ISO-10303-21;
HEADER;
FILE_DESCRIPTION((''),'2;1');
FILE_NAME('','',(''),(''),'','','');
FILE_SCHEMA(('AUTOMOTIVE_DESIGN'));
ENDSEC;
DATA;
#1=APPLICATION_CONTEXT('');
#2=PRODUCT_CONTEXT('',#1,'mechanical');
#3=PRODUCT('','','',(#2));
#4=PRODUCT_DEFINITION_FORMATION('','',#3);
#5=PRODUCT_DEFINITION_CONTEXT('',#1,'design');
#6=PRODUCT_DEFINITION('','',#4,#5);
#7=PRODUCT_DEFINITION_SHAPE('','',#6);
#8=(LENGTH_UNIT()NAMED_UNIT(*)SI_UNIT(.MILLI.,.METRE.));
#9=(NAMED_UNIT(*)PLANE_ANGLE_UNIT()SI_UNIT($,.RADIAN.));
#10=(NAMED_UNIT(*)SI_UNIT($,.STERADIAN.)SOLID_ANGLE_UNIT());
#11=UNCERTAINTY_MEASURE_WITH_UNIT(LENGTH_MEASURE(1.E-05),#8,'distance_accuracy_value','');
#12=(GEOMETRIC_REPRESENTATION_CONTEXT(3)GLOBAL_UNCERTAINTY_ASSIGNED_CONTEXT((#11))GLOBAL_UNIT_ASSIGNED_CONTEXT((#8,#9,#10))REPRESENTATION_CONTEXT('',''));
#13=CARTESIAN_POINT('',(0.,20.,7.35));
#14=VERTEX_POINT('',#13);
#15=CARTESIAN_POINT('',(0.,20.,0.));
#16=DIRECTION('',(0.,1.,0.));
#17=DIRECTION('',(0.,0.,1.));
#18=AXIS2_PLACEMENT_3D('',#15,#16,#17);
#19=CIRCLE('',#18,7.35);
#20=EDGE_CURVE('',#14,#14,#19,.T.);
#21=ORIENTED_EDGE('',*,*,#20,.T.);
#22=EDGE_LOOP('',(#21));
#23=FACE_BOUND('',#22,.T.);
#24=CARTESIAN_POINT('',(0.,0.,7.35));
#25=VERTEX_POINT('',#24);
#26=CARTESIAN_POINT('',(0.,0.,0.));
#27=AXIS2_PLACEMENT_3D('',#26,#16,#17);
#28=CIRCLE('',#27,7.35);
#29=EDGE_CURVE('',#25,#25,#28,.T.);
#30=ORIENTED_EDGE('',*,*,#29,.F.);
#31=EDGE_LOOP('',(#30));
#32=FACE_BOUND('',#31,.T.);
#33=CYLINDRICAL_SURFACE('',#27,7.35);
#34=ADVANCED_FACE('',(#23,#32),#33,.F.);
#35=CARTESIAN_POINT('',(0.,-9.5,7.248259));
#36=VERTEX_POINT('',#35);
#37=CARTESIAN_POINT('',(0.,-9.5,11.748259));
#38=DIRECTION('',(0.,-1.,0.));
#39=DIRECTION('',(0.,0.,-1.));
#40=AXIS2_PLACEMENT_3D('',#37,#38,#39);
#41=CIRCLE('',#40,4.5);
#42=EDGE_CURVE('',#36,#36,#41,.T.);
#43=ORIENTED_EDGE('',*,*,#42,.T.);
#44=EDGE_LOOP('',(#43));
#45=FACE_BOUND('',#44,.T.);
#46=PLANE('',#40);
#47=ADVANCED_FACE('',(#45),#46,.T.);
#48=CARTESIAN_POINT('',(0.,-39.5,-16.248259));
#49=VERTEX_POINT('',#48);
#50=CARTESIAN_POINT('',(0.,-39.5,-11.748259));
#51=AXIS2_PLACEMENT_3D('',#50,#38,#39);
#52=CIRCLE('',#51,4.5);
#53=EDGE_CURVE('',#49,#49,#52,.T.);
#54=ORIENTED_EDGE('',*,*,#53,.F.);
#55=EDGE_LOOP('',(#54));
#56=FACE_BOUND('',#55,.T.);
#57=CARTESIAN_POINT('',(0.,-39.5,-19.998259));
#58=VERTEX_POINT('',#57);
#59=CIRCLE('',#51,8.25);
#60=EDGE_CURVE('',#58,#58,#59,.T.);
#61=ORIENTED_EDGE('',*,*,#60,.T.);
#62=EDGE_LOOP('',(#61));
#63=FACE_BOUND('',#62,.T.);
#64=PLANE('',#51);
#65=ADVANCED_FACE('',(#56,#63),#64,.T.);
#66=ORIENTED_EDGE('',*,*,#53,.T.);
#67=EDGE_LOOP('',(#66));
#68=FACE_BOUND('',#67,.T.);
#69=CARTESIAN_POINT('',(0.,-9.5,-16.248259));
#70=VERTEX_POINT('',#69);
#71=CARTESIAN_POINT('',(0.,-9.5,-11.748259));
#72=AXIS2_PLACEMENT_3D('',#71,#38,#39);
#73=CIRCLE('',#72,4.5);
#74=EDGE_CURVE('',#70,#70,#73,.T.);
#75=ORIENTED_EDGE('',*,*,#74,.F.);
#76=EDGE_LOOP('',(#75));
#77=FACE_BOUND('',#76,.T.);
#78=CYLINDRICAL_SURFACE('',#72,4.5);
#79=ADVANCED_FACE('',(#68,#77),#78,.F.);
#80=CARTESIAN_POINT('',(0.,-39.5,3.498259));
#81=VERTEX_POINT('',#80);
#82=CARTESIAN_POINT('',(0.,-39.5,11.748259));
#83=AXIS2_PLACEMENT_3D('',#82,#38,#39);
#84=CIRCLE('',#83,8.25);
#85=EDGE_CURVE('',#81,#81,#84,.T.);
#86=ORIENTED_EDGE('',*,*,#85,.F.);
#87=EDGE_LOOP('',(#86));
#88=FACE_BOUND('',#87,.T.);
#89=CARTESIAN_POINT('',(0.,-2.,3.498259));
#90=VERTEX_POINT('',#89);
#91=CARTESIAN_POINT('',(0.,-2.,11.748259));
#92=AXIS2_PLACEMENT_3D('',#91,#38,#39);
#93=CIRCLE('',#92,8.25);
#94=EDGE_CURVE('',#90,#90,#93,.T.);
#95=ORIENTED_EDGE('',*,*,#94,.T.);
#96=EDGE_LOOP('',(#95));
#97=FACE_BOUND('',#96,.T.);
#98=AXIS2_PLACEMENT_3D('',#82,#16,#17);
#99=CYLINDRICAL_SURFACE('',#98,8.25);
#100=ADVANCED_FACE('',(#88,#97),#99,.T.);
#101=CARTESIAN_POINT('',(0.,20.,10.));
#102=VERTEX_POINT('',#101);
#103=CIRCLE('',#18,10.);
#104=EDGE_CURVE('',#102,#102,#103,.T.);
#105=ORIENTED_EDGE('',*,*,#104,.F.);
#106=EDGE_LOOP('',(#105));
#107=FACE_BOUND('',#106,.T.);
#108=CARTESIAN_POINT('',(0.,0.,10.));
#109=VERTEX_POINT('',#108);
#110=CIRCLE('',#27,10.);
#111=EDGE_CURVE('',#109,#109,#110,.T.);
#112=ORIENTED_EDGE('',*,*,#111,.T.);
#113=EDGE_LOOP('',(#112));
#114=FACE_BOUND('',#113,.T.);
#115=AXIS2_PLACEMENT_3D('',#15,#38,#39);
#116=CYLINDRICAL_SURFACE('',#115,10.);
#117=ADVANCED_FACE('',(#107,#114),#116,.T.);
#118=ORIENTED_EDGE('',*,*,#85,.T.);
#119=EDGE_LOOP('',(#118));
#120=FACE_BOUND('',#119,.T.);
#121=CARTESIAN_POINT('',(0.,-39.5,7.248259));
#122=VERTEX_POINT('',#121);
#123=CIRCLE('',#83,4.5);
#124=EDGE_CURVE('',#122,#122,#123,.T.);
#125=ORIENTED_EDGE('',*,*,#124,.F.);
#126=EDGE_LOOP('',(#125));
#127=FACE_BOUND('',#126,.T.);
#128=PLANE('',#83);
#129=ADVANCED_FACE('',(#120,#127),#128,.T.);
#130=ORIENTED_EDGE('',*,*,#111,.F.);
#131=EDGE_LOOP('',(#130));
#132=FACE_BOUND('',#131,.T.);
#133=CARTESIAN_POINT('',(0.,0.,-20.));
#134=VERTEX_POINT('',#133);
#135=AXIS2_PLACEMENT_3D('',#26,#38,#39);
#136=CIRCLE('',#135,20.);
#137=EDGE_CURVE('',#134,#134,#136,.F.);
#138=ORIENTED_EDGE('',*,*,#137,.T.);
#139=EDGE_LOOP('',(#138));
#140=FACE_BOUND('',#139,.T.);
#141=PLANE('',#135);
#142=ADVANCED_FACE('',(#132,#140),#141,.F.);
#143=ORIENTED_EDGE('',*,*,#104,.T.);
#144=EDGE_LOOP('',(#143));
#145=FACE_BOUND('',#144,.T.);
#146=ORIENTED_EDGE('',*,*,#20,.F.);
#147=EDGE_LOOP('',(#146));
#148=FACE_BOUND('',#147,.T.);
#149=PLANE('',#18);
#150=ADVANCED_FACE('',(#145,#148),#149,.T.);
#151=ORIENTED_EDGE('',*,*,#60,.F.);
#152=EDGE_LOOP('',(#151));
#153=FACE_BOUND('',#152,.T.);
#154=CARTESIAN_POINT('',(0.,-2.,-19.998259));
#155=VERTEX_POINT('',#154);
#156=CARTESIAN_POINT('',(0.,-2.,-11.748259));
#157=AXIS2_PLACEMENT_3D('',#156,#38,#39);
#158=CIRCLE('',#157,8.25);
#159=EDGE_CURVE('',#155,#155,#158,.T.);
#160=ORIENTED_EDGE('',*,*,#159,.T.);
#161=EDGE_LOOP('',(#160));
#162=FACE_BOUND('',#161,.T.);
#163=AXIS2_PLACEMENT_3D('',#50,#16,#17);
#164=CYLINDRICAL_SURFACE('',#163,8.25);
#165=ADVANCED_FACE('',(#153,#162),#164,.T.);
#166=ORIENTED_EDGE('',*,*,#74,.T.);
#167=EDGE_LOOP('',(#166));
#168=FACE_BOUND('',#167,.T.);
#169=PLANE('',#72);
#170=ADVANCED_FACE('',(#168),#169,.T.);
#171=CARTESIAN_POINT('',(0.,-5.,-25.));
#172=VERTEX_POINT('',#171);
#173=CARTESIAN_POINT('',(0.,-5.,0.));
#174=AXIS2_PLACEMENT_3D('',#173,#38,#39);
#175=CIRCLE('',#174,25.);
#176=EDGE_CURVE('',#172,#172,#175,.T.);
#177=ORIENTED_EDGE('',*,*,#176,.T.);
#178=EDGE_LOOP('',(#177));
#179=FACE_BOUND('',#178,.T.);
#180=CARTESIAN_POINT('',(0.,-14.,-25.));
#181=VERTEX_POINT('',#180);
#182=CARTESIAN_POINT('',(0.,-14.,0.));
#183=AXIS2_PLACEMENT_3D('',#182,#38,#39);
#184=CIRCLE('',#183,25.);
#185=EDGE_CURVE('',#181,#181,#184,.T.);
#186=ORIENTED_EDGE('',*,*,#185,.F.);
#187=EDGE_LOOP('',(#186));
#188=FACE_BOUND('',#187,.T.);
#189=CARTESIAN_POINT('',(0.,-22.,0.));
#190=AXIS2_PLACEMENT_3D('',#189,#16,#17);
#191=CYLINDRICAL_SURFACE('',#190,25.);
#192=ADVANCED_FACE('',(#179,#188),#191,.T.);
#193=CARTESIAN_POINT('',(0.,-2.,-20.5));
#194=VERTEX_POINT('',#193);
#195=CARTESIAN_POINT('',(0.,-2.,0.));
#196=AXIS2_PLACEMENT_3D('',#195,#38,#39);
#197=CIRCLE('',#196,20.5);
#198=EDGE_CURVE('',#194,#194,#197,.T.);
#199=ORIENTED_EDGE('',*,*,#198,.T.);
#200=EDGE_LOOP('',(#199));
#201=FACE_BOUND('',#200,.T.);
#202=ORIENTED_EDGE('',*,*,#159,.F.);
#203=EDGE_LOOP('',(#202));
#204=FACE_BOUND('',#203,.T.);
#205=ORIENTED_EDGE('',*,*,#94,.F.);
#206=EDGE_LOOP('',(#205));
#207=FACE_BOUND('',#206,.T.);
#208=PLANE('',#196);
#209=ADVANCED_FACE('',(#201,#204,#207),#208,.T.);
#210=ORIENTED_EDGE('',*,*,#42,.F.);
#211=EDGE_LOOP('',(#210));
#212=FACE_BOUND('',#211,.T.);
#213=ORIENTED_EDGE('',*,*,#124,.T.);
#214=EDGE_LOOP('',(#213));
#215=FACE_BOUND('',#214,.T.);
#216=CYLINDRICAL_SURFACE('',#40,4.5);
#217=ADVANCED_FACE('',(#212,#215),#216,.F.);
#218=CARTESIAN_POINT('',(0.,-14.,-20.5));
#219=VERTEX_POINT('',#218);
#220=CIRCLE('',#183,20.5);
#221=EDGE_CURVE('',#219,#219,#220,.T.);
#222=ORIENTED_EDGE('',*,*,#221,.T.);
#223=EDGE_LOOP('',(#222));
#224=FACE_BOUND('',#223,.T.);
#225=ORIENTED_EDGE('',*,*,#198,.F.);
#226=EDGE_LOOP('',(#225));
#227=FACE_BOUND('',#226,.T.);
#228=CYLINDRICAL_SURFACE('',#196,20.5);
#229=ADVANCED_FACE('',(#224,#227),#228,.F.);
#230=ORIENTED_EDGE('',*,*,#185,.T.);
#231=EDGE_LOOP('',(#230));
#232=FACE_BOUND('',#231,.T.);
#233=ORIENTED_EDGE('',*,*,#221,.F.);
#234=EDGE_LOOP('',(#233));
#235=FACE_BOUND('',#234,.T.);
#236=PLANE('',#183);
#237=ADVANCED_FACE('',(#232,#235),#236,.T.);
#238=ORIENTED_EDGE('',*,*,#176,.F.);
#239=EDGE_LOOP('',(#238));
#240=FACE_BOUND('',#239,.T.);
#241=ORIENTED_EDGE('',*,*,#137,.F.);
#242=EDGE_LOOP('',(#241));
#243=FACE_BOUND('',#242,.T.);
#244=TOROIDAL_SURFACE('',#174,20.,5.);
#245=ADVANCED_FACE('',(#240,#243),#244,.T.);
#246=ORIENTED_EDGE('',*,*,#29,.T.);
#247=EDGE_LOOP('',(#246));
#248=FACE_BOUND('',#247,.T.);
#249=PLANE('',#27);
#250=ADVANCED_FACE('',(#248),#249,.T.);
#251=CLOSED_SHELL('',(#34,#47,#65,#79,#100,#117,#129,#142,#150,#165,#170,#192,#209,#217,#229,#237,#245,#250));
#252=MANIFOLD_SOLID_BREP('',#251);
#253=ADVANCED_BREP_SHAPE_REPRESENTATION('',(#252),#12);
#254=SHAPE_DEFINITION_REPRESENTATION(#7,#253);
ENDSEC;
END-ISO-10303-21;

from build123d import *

# Parameters (mm, degrees)
SKETCH1_R           = 10
BOSS_EXTRUDE1_DEPTH = 20
SKETCH2_R           = 25
BOSS_EXTRUDE2_DEPTH = 22
SKETCH3_R           = 20.5
CUT_EXTRUDE1_DEPTH  = 20
FILLET1_R           = 5
SKETCH4_R           = 7.35
CUT_EXTRUDE2_DEPTH  = 20
SKETCH5_R           = 8.25
BOSS_EXTRUDE3_DEPTH = 37.5
SKETCH6_R           = 4.5
CUT_EXTRUDE3_DEPTH  = 30
SKETCH7_R           = 25
SKETCH7_R_2         = 20.5
CUT_EXTRUDE4_DEPTH  = 8


with BuildPart() as part:
    # Sketch1 → Boss-Extrude1 (new body)
    with BuildSketch(Plane(origin=(0, 0, 0), x_dir=(1, 0, 0), z_dir=(0, 1, 0))):
        with Locations(Location((0, 0, 0), (0, 0, 270))):
            Circle(SKETCH1_R)
    extrude(amount=BOSS_EXTRUDE1_DEPTH)

    # Sketch2 → Boss-Extrude2 (add)
    with BuildSketch(Plane.XZ):
        with Locations(Location((0, 0, 0), (0, 0, 270))):
            Circle(SKETCH2_R)
    extrude(amount=BOSS_EXTRUDE2_DEPTH)

    # Sketch3 → Cut-Extrude1 (cut)
    with BuildSketch(Plane.XZ.offset(22)):
        with Locations(Location((0, 0, 0), (0, 0, 270))):
            Circle(SKETCH3_R)
    extrude(amount=-CUT_EXTRUDE1_DEPTH, mode=Mode.SUBTRACT)

    # Fillet1
    fillet1_edges = [part.edges().sort_by_distance(p)[0] for p in [
        (0, 0, 25),
    ]]
    fillet(fillet1_edges, radius=FILLET1_R)

    # Sketch4 → Cut-Extrude2 (cut)
    with BuildSketch(Plane(origin=(0, 20, 0), x_dir=(1, 0, 0), z_dir=(0, 1, 0))):
        with Locations(Location((0, 0, 0), (0, 0, 270))):
            Circle(SKETCH4_R)
    extrude(amount=-CUT_EXTRUDE2_DEPTH, mode=Mode.SUBTRACT)

    # Sketch5 → Boss-Extrude3 (add)
    with BuildSketch(Plane.XZ.offset(2)):
        with Locations(Location((0, 11.748259103, 0), (0, 0, 270))):
            Circle(SKETCH5_R)
        with Locations(Location((0, -11.748259103, 0), (0, 0, 270))):
            Circle(SKETCH5_R)
    extrude(amount=BOSS_EXTRUDE3_DEPTH)

    # Sketch6 → Cut-Extrude3 (cut)
    with BuildSketch(Plane.XZ.offset(39.5)):
        with Locations(Location((0, 11.748259103, 0), (0, 0, 270))):
            Circle(SKETCH6_R)
        with Locations(Location((0, -11.748259103, 0), (0, 0, 270))):
            Circle(SKETCH6_R)
    extrude(amount=-CUT_EXTRUDE3_DEPTH, mode=Mode.SUBTRACT)

    # Sketch7 → Cut-Extrude4 (cut)
    with BuildSketch(Plane.XZ.offset(22)):
        with Locations(Location((0, 0, 0), (0, 0, 270))):
            Circle(SKETCH7_R)
        with Locations(Location((0, 0, 0), (0, 0, 270))):
            Circle(SKETCH7_R_2, mode=Mode.SUBTRACT)
    extrude(amount=-CUT_EXTRUDE4_DEPTH, mode=Mode.SUBTRACT)


solid = part.part
